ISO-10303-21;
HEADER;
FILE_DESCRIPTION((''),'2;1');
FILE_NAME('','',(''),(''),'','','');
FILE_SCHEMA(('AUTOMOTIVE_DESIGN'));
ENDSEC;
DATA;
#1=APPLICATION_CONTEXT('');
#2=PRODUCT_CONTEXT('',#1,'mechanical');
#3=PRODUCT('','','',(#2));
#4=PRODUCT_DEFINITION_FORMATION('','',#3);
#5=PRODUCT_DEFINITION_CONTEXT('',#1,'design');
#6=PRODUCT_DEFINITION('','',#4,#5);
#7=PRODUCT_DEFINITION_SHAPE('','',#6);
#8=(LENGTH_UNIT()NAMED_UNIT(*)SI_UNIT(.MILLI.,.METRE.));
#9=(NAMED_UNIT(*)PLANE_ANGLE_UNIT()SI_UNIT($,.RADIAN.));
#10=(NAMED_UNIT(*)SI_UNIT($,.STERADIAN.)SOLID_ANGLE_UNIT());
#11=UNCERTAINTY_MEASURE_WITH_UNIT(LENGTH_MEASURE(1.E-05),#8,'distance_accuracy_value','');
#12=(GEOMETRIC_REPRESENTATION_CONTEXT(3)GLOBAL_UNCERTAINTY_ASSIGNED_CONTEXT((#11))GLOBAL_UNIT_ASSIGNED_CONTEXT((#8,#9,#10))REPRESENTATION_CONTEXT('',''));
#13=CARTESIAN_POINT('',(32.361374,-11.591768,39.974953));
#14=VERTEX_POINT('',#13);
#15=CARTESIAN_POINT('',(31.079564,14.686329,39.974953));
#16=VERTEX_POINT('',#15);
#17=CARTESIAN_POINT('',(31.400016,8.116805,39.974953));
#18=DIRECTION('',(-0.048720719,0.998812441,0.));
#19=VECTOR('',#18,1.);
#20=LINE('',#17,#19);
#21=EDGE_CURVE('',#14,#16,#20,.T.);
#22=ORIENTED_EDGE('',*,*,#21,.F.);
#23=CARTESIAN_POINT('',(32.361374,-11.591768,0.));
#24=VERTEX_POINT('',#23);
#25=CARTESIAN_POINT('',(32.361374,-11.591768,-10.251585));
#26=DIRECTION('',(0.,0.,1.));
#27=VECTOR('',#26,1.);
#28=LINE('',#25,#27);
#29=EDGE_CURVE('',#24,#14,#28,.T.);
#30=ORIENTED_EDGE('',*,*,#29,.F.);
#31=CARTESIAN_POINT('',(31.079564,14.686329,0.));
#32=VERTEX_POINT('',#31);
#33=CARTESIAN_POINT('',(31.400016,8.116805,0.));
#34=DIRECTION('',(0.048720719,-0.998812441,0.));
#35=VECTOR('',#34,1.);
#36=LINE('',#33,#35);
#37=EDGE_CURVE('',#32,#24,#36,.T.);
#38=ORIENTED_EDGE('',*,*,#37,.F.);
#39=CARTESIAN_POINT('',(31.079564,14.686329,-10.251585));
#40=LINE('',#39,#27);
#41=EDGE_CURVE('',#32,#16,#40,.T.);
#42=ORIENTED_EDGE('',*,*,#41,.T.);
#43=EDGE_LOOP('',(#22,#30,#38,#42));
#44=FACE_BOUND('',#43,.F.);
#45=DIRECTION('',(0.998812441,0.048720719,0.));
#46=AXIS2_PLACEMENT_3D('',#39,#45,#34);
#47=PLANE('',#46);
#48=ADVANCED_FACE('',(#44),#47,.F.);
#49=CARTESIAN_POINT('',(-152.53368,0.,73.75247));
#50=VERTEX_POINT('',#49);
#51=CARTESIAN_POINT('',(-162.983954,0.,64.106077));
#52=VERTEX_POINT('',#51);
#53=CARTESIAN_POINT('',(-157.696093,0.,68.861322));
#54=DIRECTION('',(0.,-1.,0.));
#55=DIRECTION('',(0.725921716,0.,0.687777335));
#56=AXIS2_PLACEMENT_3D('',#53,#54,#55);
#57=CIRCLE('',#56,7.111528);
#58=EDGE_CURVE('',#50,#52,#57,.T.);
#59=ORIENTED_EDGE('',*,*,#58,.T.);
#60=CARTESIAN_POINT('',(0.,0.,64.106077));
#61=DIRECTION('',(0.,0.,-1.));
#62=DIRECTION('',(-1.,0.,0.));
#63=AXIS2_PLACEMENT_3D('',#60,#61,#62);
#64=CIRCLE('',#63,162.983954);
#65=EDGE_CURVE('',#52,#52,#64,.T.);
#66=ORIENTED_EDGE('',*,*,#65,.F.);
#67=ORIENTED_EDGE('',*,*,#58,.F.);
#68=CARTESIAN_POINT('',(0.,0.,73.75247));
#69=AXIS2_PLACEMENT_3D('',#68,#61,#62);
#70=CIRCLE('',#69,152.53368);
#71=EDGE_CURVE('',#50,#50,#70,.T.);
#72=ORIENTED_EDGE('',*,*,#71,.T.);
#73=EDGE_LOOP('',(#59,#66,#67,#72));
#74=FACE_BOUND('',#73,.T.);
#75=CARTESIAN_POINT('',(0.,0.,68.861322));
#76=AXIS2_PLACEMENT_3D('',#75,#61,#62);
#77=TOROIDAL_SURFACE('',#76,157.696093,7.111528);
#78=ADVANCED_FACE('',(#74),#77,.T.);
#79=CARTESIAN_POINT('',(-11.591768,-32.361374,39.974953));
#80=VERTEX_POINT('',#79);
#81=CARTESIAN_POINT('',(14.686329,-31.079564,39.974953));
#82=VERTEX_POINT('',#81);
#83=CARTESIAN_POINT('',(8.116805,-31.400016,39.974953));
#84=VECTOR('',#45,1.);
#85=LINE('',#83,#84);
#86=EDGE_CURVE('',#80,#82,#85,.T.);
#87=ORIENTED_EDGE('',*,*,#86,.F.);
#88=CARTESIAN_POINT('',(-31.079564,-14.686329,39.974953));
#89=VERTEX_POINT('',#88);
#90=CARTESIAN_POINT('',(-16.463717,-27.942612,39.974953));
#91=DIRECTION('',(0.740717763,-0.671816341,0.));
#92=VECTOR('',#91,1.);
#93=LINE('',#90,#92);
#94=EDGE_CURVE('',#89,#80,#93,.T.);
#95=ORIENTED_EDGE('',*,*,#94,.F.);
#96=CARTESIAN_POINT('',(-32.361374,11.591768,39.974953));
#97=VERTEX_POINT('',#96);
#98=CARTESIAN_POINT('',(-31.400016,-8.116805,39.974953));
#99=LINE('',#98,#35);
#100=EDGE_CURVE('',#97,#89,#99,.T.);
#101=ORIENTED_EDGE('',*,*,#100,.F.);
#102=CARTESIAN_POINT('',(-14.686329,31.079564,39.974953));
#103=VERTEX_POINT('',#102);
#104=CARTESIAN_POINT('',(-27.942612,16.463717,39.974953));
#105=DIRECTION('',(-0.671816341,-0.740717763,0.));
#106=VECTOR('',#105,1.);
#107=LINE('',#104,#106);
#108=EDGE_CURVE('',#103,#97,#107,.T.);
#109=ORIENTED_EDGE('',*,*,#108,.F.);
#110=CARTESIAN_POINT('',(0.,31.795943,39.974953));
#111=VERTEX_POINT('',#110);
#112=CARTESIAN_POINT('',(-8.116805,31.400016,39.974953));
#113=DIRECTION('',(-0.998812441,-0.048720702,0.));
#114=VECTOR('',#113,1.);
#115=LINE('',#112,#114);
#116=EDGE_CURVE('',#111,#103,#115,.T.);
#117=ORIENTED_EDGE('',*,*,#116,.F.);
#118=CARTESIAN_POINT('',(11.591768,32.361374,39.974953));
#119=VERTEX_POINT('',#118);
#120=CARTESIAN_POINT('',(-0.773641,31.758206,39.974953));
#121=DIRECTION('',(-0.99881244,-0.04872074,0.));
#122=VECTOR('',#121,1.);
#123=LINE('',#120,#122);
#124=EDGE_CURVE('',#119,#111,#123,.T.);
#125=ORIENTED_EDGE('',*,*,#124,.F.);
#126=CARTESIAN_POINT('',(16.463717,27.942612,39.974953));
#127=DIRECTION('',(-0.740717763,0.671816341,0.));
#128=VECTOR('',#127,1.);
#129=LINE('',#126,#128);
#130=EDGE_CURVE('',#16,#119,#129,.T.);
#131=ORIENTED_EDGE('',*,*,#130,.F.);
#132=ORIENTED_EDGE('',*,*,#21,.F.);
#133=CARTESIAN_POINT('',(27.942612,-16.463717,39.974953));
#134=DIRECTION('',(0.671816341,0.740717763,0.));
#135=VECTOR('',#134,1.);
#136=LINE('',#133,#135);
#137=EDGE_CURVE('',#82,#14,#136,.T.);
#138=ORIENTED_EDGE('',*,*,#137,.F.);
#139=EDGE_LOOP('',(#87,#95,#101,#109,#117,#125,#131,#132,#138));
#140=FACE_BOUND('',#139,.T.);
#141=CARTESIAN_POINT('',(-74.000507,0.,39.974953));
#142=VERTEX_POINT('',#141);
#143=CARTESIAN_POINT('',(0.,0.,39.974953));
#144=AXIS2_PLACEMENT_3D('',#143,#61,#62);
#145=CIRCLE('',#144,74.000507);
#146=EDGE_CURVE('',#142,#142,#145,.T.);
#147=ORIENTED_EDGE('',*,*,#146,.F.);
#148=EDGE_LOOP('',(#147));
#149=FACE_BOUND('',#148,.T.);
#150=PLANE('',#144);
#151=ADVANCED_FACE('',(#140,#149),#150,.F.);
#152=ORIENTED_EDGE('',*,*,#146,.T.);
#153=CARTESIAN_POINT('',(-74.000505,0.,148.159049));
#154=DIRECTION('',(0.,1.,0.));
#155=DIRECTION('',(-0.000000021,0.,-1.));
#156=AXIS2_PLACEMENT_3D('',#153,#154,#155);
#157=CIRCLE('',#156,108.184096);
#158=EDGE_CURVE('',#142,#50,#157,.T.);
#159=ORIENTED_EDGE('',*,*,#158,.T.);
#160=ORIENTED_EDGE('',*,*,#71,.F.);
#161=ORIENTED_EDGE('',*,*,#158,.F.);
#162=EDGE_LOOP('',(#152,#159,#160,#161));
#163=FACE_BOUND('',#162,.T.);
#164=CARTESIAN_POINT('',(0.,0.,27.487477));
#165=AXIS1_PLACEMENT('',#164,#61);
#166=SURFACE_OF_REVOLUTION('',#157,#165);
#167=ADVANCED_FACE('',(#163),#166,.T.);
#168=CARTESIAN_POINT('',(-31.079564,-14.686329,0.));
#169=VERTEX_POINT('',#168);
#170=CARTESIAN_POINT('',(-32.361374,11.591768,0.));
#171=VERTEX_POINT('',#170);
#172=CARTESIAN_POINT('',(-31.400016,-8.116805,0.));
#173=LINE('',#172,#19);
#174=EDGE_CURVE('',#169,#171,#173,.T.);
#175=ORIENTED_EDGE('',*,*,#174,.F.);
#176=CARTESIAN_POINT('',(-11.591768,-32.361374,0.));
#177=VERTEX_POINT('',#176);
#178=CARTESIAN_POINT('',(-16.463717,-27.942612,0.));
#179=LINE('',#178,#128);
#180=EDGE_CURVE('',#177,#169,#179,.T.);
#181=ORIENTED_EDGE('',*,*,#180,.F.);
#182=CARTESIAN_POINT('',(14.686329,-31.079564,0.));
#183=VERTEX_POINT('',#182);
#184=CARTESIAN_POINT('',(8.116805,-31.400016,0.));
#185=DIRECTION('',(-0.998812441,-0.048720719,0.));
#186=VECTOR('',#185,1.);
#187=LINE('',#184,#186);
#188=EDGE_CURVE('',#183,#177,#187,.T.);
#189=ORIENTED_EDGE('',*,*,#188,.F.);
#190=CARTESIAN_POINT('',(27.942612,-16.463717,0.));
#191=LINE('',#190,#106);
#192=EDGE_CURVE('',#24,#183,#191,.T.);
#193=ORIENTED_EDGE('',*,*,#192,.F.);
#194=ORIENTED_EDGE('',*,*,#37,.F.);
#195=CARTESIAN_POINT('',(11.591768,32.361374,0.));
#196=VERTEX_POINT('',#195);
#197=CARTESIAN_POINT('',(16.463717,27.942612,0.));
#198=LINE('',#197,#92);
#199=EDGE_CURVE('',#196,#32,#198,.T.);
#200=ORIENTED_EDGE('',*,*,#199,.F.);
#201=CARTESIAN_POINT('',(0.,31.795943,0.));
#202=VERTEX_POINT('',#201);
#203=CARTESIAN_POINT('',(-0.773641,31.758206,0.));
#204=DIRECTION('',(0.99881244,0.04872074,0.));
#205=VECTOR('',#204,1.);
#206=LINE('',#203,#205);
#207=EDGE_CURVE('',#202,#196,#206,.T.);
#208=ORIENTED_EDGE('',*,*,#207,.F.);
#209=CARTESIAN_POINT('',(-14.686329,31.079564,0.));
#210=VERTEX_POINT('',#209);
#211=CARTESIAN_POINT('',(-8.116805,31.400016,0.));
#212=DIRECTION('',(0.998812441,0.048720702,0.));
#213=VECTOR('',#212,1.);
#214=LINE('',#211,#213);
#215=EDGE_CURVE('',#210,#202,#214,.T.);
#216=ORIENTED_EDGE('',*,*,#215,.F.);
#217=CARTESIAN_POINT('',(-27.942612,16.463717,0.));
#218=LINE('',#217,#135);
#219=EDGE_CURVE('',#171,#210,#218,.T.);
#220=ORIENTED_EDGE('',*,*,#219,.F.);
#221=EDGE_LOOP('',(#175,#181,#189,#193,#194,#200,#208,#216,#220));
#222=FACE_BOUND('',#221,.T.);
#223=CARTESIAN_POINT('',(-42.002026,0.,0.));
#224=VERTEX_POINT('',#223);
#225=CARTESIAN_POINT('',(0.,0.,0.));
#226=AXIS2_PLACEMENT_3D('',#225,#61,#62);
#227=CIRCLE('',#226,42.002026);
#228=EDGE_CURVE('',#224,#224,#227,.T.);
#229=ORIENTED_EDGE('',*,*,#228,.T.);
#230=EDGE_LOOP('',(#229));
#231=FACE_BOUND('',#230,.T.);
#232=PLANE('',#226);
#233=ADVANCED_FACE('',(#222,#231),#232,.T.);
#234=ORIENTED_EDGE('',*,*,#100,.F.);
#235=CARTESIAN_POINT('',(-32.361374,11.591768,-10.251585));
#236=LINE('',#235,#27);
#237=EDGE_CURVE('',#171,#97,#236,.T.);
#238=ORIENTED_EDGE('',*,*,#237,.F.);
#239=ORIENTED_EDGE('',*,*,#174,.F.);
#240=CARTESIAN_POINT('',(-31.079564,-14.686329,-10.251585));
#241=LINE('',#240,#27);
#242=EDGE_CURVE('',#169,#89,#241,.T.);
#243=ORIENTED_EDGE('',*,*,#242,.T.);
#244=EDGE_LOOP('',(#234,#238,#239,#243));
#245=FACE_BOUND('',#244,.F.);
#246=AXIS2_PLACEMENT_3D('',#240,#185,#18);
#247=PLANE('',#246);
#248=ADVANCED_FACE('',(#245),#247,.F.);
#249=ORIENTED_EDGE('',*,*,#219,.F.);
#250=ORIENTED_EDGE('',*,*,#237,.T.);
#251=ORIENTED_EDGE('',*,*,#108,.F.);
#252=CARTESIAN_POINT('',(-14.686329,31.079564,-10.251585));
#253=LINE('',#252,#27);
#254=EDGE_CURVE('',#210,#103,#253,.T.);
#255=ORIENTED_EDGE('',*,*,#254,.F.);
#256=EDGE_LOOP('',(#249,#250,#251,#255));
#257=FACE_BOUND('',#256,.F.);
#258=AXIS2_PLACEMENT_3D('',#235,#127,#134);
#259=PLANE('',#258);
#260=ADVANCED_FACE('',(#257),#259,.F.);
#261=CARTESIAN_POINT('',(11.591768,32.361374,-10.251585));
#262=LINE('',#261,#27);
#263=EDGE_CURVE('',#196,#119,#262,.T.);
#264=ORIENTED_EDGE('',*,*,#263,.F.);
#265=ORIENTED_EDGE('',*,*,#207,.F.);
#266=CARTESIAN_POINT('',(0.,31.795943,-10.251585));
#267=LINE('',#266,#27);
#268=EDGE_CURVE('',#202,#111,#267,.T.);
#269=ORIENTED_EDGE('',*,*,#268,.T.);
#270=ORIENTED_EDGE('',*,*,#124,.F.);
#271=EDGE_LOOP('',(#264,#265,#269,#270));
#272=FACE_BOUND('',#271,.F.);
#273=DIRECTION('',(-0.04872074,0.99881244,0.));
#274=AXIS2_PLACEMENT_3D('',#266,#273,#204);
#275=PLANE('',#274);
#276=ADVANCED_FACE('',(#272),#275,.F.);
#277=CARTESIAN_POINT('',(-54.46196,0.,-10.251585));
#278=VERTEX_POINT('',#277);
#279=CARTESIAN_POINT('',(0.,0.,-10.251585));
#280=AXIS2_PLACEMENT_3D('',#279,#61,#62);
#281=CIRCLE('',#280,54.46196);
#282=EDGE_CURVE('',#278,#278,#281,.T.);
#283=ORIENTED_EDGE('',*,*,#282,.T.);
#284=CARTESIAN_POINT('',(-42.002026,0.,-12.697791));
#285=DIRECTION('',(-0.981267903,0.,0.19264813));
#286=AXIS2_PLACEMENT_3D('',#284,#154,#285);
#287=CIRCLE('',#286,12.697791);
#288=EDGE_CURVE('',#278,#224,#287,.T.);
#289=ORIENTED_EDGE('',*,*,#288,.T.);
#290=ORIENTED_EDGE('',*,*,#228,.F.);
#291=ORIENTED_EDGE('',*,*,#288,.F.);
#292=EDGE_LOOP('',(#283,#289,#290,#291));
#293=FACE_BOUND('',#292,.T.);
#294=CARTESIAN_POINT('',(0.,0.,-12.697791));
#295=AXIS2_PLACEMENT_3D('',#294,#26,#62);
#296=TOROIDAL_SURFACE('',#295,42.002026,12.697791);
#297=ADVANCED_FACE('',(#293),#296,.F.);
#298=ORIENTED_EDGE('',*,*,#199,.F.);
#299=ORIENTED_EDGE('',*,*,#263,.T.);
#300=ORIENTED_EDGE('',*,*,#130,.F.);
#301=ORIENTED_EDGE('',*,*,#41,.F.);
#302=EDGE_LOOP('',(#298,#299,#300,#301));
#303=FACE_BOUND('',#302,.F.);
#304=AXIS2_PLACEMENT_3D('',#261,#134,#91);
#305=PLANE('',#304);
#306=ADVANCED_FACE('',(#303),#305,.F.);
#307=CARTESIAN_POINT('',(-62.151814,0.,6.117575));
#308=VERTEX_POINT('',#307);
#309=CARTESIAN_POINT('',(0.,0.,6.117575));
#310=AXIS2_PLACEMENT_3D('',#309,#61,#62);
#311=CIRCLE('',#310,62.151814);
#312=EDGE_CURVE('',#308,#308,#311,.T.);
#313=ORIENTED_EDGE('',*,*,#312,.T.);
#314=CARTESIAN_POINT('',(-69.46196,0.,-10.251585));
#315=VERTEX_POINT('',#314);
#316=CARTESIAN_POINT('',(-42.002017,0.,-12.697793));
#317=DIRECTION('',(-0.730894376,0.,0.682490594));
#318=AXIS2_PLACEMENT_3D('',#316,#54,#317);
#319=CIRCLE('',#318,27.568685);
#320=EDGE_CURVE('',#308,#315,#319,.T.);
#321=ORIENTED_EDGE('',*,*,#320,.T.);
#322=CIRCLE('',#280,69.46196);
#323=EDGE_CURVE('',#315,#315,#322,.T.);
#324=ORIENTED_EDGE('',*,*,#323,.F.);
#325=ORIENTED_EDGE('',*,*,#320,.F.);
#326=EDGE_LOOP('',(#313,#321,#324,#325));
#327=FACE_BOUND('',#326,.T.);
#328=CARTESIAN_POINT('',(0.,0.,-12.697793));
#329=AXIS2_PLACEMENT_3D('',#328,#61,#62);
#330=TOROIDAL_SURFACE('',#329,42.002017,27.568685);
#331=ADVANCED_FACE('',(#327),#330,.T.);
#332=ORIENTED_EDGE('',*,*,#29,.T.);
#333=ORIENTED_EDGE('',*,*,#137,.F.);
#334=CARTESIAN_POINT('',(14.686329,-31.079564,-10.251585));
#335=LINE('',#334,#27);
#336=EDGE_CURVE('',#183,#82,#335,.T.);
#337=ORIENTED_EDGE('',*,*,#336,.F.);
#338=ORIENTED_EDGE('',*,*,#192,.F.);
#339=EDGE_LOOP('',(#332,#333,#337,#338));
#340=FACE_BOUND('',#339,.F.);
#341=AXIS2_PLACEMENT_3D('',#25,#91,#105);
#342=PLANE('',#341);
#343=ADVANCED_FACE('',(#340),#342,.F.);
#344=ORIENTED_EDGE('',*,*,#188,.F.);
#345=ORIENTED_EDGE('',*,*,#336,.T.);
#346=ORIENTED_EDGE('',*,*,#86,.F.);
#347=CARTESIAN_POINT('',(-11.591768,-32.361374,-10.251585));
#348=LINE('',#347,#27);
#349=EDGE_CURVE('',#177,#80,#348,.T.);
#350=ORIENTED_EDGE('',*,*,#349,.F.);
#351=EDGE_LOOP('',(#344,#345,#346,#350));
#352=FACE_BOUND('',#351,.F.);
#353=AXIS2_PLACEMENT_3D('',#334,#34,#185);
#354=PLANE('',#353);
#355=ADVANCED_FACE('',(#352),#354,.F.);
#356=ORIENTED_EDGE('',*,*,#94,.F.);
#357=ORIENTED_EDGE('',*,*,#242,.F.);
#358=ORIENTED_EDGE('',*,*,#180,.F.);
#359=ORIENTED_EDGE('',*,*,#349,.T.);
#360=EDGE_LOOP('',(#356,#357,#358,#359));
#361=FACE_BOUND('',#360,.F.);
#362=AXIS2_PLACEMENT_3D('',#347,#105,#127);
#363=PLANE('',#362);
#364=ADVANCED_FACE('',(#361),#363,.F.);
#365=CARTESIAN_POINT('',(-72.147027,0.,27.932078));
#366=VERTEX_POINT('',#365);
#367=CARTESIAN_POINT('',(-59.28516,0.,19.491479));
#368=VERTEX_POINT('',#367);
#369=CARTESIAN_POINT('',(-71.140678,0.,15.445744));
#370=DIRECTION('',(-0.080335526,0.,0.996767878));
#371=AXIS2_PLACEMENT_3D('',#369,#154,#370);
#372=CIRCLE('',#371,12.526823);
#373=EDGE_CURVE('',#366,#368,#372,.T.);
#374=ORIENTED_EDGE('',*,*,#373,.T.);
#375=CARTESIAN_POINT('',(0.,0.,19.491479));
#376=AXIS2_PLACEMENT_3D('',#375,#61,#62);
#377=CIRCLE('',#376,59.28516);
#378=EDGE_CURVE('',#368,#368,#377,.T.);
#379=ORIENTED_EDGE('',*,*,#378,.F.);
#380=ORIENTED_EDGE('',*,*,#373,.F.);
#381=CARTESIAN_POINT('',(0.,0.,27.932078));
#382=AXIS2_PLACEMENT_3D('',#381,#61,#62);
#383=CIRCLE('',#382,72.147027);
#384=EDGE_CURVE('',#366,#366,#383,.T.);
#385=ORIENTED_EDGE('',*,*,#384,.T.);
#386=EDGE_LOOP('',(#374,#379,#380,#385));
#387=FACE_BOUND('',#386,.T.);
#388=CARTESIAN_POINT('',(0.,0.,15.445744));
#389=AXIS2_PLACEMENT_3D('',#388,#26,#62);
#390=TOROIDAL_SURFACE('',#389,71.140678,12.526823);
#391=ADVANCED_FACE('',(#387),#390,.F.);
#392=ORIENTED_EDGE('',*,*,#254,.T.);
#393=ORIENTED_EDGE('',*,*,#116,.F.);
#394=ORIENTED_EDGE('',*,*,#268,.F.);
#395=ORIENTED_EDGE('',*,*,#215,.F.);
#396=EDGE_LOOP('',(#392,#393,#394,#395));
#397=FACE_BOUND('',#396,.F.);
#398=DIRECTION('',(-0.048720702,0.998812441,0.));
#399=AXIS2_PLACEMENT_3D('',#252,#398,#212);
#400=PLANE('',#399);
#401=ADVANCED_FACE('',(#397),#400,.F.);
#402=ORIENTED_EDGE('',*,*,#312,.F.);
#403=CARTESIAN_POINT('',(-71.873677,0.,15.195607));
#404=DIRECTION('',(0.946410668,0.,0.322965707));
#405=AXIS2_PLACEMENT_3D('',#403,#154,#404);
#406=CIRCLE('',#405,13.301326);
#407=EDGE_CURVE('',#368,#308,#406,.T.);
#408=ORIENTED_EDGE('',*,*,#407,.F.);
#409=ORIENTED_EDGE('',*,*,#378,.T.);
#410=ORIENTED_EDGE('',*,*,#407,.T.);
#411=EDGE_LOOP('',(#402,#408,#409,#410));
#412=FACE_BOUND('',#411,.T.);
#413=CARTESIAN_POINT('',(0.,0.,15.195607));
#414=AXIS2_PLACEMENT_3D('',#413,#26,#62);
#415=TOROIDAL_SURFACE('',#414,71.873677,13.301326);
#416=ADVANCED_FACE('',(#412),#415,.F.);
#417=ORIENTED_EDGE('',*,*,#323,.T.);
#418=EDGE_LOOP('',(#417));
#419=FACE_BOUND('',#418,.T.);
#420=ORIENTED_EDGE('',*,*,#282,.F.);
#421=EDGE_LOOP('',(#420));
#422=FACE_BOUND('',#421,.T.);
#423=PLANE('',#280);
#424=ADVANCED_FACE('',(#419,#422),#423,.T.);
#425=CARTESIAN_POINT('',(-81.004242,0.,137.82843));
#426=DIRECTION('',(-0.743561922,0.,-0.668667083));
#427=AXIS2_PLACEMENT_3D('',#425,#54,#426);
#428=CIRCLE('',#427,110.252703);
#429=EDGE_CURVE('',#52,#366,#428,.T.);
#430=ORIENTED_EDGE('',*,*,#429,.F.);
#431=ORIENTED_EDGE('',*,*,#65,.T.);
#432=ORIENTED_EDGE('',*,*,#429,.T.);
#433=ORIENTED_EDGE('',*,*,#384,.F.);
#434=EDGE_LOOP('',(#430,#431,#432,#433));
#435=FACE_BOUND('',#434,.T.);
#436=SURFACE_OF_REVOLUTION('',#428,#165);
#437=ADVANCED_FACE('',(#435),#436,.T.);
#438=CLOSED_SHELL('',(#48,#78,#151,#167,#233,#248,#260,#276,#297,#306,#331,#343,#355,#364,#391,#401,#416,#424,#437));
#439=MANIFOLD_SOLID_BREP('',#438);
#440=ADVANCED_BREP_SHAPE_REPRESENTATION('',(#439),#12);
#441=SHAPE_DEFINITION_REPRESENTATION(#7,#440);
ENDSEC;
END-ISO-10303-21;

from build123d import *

# Parameters (mm, degrees)
F3_DEPTH = 70


with BuildPart() as f1:
    # F0 (on Front) → F1 (revolve)
    with BuildSketch(Plane.XZ):
        with BuildLine():
            Line((-42.002026, 0), (0, 0))
            Line((0, 0), (0, 15))
            Line((0, 15), (0, 39.974953))
            Line((0, 39.974953), (-74.000507, 39.974953))
            ThreePointArc((-74.000507, 39.974953), (-116.745039, 48.777444), (-152.53368, 73.75247))
            ThreePointArc((-152.53368, 73.75247), (-162.519697, 74.086901), (-162.983954, 64.106077))
            ThreePointArc((-162.983954, 64.106077), (-121.794736, 35.398971), (-72.147027, 27.932078))
            ThreePointArc((-72.147027, 27.932078), (-64.267757, 25.918768), (-59.28516, 19.491479))
            ThreePointArc((-59.28516, 19.491479), (-58.867771, 12.407832), (-62.151814, 6.117575))
            ThreePointArc((-62.151814, 6.117575), (-67.174605, -1.456209), (-69.46196, -10.251585))
            Line((-69.46196, -10.251585), (-54.46196, -10.251585))
            ThreePointArc((-54.46196, -10.251585), (-50.06963, -2.8923), (-42.002026, 0))
        make_face()
    revolve(axis=Axis((0, 0, 27.487477), (0, 0, -1)))

    # F2 (on face) → F3 (cut)
    with BuildSketch(Plane(origin=(0, 0, -10.251585), x_dir=(1, 0, 0), z_dir=(0, 0, -1))):
        Polygon((-11.591768, 32.361374), (-31.079564, 14.686329), (-32.361374, -11.591768), (-14.686329, -31.079564), (0, -31.795943), (11.591768, -32.361374), (31.079564, -14.686329), (32.361374, 11.591768), (14.686329, 31.079564), align=None)
    extrude(amount=-F3_DEPTH, mode=Mode.SUBTRACT)


solid = f1.part
